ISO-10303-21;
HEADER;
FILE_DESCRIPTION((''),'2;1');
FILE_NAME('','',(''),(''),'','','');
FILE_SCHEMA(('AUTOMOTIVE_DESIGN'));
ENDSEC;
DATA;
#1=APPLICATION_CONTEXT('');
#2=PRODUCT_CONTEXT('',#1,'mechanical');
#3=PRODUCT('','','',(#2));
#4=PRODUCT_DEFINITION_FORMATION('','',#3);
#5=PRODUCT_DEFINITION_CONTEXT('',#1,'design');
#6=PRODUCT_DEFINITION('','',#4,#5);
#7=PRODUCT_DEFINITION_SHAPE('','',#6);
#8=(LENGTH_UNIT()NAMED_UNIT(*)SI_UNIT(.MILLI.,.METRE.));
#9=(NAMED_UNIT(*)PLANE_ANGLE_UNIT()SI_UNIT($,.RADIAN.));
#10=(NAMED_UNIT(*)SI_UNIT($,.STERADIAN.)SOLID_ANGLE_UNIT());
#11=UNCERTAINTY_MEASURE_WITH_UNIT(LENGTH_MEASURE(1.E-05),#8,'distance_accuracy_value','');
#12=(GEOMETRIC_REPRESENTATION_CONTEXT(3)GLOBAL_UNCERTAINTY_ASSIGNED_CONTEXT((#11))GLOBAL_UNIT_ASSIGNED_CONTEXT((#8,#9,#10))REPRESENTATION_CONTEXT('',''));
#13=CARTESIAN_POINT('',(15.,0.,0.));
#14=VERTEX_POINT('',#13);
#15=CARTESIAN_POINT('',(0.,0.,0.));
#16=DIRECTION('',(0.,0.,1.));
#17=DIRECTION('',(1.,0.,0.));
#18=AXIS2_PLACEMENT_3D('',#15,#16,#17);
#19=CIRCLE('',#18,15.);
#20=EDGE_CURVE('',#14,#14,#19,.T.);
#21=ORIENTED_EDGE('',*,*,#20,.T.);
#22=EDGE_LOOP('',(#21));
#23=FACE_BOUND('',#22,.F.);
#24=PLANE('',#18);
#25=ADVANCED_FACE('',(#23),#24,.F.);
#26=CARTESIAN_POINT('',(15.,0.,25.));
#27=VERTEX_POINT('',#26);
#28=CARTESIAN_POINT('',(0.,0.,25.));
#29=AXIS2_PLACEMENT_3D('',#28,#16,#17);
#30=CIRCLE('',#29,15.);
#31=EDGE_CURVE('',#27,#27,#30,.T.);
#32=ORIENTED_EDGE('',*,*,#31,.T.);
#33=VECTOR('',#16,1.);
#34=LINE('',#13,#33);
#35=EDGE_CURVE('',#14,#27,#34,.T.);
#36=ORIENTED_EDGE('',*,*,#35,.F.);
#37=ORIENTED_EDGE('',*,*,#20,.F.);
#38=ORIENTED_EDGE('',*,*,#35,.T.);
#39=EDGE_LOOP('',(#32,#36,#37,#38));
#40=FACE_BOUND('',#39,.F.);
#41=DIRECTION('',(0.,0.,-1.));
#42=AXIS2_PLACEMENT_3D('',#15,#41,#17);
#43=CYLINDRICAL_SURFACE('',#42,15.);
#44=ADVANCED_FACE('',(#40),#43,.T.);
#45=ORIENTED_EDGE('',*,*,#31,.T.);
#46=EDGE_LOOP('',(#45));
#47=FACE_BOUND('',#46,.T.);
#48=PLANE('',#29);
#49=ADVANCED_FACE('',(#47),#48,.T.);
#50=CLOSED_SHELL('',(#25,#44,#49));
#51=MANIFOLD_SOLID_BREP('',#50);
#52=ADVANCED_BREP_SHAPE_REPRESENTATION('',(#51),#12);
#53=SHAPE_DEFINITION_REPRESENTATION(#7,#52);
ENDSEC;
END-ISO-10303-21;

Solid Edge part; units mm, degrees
sketch "Sketch1" plane through (0, 0, 0) normal (0, 0, 1) x (1, 0, 0)
  circle A0 centre (0, 0) radius 15
extrude "Protrusion1" add sketch "Sketch1" along normal blind 25
